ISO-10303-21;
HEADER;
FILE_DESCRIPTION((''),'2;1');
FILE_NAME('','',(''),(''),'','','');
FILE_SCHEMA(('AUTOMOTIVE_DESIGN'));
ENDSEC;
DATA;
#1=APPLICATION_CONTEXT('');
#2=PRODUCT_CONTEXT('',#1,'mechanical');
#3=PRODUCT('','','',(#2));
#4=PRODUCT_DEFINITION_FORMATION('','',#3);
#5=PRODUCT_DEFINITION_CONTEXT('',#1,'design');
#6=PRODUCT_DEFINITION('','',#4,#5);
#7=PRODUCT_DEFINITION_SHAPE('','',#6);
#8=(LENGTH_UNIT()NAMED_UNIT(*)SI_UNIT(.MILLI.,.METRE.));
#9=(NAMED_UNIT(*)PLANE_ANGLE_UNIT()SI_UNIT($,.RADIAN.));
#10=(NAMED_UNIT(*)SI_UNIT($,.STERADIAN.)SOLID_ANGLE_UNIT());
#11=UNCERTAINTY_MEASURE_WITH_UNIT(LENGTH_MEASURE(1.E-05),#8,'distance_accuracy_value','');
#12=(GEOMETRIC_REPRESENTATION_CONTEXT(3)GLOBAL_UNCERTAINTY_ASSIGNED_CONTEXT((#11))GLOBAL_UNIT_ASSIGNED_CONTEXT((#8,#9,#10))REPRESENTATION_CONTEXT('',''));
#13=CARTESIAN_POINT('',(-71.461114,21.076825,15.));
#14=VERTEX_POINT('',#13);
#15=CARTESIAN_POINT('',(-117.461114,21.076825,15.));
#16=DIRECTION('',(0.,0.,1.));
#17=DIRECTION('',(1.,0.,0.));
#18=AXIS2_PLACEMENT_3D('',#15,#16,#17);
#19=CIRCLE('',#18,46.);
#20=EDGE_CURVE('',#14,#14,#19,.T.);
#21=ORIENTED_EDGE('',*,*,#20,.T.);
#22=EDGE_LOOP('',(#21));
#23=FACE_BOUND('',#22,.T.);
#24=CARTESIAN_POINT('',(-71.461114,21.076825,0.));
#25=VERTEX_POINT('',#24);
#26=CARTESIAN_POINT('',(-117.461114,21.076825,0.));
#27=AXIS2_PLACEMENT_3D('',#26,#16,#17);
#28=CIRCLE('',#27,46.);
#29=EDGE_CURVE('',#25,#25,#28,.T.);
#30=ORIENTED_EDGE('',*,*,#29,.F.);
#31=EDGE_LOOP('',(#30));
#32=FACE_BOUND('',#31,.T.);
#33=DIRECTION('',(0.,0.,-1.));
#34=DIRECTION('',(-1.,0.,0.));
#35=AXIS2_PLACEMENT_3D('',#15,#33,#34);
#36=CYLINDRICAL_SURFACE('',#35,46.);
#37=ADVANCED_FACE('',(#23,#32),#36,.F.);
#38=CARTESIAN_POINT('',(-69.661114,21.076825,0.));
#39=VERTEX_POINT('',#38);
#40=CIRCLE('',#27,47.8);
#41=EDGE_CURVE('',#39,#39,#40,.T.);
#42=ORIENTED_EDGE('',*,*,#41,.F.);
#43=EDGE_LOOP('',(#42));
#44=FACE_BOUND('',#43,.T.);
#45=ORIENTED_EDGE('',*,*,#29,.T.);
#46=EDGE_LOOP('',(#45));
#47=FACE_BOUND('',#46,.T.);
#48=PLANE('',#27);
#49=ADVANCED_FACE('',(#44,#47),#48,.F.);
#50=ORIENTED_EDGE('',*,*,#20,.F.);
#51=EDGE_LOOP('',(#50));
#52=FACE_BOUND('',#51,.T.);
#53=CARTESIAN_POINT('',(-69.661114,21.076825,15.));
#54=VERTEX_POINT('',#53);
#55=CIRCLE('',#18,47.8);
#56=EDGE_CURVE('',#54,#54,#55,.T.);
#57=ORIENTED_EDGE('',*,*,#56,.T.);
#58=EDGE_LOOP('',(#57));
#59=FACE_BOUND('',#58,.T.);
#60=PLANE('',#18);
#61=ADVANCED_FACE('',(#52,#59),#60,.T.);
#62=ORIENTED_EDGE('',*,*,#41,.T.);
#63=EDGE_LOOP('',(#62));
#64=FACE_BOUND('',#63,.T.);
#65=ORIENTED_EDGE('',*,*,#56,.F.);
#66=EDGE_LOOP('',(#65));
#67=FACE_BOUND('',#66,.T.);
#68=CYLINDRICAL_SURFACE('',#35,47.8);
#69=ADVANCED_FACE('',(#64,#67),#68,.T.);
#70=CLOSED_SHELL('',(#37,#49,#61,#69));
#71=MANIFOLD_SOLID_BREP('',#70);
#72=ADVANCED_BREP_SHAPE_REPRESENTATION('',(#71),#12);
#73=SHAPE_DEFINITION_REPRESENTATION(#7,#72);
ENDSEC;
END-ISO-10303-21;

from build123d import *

# Parameters (mm, degrees)
CROQUIS1_R              = 47.8
CROQUIS1_R_2            = 46
SALIENTE_EXTRUIR1_DEPTH = 15


with BuildPart() as part:
    # Croquis1 → Saliente-Extruir1 (new body)
    with BuildSketch(Plane.XY):
        with Locations((-117.461114308, 21.076825127)):
            Circle(CROQUIS1_R)
        with Locations((-117.461114308, 21.076825127)):
            Circle(CROQUIS1_R_2, mode=Mode.SUBTRACT)
    extrude(amount=SALIENTE_EXTRUIR1_DEPTH)


solid = part.part
